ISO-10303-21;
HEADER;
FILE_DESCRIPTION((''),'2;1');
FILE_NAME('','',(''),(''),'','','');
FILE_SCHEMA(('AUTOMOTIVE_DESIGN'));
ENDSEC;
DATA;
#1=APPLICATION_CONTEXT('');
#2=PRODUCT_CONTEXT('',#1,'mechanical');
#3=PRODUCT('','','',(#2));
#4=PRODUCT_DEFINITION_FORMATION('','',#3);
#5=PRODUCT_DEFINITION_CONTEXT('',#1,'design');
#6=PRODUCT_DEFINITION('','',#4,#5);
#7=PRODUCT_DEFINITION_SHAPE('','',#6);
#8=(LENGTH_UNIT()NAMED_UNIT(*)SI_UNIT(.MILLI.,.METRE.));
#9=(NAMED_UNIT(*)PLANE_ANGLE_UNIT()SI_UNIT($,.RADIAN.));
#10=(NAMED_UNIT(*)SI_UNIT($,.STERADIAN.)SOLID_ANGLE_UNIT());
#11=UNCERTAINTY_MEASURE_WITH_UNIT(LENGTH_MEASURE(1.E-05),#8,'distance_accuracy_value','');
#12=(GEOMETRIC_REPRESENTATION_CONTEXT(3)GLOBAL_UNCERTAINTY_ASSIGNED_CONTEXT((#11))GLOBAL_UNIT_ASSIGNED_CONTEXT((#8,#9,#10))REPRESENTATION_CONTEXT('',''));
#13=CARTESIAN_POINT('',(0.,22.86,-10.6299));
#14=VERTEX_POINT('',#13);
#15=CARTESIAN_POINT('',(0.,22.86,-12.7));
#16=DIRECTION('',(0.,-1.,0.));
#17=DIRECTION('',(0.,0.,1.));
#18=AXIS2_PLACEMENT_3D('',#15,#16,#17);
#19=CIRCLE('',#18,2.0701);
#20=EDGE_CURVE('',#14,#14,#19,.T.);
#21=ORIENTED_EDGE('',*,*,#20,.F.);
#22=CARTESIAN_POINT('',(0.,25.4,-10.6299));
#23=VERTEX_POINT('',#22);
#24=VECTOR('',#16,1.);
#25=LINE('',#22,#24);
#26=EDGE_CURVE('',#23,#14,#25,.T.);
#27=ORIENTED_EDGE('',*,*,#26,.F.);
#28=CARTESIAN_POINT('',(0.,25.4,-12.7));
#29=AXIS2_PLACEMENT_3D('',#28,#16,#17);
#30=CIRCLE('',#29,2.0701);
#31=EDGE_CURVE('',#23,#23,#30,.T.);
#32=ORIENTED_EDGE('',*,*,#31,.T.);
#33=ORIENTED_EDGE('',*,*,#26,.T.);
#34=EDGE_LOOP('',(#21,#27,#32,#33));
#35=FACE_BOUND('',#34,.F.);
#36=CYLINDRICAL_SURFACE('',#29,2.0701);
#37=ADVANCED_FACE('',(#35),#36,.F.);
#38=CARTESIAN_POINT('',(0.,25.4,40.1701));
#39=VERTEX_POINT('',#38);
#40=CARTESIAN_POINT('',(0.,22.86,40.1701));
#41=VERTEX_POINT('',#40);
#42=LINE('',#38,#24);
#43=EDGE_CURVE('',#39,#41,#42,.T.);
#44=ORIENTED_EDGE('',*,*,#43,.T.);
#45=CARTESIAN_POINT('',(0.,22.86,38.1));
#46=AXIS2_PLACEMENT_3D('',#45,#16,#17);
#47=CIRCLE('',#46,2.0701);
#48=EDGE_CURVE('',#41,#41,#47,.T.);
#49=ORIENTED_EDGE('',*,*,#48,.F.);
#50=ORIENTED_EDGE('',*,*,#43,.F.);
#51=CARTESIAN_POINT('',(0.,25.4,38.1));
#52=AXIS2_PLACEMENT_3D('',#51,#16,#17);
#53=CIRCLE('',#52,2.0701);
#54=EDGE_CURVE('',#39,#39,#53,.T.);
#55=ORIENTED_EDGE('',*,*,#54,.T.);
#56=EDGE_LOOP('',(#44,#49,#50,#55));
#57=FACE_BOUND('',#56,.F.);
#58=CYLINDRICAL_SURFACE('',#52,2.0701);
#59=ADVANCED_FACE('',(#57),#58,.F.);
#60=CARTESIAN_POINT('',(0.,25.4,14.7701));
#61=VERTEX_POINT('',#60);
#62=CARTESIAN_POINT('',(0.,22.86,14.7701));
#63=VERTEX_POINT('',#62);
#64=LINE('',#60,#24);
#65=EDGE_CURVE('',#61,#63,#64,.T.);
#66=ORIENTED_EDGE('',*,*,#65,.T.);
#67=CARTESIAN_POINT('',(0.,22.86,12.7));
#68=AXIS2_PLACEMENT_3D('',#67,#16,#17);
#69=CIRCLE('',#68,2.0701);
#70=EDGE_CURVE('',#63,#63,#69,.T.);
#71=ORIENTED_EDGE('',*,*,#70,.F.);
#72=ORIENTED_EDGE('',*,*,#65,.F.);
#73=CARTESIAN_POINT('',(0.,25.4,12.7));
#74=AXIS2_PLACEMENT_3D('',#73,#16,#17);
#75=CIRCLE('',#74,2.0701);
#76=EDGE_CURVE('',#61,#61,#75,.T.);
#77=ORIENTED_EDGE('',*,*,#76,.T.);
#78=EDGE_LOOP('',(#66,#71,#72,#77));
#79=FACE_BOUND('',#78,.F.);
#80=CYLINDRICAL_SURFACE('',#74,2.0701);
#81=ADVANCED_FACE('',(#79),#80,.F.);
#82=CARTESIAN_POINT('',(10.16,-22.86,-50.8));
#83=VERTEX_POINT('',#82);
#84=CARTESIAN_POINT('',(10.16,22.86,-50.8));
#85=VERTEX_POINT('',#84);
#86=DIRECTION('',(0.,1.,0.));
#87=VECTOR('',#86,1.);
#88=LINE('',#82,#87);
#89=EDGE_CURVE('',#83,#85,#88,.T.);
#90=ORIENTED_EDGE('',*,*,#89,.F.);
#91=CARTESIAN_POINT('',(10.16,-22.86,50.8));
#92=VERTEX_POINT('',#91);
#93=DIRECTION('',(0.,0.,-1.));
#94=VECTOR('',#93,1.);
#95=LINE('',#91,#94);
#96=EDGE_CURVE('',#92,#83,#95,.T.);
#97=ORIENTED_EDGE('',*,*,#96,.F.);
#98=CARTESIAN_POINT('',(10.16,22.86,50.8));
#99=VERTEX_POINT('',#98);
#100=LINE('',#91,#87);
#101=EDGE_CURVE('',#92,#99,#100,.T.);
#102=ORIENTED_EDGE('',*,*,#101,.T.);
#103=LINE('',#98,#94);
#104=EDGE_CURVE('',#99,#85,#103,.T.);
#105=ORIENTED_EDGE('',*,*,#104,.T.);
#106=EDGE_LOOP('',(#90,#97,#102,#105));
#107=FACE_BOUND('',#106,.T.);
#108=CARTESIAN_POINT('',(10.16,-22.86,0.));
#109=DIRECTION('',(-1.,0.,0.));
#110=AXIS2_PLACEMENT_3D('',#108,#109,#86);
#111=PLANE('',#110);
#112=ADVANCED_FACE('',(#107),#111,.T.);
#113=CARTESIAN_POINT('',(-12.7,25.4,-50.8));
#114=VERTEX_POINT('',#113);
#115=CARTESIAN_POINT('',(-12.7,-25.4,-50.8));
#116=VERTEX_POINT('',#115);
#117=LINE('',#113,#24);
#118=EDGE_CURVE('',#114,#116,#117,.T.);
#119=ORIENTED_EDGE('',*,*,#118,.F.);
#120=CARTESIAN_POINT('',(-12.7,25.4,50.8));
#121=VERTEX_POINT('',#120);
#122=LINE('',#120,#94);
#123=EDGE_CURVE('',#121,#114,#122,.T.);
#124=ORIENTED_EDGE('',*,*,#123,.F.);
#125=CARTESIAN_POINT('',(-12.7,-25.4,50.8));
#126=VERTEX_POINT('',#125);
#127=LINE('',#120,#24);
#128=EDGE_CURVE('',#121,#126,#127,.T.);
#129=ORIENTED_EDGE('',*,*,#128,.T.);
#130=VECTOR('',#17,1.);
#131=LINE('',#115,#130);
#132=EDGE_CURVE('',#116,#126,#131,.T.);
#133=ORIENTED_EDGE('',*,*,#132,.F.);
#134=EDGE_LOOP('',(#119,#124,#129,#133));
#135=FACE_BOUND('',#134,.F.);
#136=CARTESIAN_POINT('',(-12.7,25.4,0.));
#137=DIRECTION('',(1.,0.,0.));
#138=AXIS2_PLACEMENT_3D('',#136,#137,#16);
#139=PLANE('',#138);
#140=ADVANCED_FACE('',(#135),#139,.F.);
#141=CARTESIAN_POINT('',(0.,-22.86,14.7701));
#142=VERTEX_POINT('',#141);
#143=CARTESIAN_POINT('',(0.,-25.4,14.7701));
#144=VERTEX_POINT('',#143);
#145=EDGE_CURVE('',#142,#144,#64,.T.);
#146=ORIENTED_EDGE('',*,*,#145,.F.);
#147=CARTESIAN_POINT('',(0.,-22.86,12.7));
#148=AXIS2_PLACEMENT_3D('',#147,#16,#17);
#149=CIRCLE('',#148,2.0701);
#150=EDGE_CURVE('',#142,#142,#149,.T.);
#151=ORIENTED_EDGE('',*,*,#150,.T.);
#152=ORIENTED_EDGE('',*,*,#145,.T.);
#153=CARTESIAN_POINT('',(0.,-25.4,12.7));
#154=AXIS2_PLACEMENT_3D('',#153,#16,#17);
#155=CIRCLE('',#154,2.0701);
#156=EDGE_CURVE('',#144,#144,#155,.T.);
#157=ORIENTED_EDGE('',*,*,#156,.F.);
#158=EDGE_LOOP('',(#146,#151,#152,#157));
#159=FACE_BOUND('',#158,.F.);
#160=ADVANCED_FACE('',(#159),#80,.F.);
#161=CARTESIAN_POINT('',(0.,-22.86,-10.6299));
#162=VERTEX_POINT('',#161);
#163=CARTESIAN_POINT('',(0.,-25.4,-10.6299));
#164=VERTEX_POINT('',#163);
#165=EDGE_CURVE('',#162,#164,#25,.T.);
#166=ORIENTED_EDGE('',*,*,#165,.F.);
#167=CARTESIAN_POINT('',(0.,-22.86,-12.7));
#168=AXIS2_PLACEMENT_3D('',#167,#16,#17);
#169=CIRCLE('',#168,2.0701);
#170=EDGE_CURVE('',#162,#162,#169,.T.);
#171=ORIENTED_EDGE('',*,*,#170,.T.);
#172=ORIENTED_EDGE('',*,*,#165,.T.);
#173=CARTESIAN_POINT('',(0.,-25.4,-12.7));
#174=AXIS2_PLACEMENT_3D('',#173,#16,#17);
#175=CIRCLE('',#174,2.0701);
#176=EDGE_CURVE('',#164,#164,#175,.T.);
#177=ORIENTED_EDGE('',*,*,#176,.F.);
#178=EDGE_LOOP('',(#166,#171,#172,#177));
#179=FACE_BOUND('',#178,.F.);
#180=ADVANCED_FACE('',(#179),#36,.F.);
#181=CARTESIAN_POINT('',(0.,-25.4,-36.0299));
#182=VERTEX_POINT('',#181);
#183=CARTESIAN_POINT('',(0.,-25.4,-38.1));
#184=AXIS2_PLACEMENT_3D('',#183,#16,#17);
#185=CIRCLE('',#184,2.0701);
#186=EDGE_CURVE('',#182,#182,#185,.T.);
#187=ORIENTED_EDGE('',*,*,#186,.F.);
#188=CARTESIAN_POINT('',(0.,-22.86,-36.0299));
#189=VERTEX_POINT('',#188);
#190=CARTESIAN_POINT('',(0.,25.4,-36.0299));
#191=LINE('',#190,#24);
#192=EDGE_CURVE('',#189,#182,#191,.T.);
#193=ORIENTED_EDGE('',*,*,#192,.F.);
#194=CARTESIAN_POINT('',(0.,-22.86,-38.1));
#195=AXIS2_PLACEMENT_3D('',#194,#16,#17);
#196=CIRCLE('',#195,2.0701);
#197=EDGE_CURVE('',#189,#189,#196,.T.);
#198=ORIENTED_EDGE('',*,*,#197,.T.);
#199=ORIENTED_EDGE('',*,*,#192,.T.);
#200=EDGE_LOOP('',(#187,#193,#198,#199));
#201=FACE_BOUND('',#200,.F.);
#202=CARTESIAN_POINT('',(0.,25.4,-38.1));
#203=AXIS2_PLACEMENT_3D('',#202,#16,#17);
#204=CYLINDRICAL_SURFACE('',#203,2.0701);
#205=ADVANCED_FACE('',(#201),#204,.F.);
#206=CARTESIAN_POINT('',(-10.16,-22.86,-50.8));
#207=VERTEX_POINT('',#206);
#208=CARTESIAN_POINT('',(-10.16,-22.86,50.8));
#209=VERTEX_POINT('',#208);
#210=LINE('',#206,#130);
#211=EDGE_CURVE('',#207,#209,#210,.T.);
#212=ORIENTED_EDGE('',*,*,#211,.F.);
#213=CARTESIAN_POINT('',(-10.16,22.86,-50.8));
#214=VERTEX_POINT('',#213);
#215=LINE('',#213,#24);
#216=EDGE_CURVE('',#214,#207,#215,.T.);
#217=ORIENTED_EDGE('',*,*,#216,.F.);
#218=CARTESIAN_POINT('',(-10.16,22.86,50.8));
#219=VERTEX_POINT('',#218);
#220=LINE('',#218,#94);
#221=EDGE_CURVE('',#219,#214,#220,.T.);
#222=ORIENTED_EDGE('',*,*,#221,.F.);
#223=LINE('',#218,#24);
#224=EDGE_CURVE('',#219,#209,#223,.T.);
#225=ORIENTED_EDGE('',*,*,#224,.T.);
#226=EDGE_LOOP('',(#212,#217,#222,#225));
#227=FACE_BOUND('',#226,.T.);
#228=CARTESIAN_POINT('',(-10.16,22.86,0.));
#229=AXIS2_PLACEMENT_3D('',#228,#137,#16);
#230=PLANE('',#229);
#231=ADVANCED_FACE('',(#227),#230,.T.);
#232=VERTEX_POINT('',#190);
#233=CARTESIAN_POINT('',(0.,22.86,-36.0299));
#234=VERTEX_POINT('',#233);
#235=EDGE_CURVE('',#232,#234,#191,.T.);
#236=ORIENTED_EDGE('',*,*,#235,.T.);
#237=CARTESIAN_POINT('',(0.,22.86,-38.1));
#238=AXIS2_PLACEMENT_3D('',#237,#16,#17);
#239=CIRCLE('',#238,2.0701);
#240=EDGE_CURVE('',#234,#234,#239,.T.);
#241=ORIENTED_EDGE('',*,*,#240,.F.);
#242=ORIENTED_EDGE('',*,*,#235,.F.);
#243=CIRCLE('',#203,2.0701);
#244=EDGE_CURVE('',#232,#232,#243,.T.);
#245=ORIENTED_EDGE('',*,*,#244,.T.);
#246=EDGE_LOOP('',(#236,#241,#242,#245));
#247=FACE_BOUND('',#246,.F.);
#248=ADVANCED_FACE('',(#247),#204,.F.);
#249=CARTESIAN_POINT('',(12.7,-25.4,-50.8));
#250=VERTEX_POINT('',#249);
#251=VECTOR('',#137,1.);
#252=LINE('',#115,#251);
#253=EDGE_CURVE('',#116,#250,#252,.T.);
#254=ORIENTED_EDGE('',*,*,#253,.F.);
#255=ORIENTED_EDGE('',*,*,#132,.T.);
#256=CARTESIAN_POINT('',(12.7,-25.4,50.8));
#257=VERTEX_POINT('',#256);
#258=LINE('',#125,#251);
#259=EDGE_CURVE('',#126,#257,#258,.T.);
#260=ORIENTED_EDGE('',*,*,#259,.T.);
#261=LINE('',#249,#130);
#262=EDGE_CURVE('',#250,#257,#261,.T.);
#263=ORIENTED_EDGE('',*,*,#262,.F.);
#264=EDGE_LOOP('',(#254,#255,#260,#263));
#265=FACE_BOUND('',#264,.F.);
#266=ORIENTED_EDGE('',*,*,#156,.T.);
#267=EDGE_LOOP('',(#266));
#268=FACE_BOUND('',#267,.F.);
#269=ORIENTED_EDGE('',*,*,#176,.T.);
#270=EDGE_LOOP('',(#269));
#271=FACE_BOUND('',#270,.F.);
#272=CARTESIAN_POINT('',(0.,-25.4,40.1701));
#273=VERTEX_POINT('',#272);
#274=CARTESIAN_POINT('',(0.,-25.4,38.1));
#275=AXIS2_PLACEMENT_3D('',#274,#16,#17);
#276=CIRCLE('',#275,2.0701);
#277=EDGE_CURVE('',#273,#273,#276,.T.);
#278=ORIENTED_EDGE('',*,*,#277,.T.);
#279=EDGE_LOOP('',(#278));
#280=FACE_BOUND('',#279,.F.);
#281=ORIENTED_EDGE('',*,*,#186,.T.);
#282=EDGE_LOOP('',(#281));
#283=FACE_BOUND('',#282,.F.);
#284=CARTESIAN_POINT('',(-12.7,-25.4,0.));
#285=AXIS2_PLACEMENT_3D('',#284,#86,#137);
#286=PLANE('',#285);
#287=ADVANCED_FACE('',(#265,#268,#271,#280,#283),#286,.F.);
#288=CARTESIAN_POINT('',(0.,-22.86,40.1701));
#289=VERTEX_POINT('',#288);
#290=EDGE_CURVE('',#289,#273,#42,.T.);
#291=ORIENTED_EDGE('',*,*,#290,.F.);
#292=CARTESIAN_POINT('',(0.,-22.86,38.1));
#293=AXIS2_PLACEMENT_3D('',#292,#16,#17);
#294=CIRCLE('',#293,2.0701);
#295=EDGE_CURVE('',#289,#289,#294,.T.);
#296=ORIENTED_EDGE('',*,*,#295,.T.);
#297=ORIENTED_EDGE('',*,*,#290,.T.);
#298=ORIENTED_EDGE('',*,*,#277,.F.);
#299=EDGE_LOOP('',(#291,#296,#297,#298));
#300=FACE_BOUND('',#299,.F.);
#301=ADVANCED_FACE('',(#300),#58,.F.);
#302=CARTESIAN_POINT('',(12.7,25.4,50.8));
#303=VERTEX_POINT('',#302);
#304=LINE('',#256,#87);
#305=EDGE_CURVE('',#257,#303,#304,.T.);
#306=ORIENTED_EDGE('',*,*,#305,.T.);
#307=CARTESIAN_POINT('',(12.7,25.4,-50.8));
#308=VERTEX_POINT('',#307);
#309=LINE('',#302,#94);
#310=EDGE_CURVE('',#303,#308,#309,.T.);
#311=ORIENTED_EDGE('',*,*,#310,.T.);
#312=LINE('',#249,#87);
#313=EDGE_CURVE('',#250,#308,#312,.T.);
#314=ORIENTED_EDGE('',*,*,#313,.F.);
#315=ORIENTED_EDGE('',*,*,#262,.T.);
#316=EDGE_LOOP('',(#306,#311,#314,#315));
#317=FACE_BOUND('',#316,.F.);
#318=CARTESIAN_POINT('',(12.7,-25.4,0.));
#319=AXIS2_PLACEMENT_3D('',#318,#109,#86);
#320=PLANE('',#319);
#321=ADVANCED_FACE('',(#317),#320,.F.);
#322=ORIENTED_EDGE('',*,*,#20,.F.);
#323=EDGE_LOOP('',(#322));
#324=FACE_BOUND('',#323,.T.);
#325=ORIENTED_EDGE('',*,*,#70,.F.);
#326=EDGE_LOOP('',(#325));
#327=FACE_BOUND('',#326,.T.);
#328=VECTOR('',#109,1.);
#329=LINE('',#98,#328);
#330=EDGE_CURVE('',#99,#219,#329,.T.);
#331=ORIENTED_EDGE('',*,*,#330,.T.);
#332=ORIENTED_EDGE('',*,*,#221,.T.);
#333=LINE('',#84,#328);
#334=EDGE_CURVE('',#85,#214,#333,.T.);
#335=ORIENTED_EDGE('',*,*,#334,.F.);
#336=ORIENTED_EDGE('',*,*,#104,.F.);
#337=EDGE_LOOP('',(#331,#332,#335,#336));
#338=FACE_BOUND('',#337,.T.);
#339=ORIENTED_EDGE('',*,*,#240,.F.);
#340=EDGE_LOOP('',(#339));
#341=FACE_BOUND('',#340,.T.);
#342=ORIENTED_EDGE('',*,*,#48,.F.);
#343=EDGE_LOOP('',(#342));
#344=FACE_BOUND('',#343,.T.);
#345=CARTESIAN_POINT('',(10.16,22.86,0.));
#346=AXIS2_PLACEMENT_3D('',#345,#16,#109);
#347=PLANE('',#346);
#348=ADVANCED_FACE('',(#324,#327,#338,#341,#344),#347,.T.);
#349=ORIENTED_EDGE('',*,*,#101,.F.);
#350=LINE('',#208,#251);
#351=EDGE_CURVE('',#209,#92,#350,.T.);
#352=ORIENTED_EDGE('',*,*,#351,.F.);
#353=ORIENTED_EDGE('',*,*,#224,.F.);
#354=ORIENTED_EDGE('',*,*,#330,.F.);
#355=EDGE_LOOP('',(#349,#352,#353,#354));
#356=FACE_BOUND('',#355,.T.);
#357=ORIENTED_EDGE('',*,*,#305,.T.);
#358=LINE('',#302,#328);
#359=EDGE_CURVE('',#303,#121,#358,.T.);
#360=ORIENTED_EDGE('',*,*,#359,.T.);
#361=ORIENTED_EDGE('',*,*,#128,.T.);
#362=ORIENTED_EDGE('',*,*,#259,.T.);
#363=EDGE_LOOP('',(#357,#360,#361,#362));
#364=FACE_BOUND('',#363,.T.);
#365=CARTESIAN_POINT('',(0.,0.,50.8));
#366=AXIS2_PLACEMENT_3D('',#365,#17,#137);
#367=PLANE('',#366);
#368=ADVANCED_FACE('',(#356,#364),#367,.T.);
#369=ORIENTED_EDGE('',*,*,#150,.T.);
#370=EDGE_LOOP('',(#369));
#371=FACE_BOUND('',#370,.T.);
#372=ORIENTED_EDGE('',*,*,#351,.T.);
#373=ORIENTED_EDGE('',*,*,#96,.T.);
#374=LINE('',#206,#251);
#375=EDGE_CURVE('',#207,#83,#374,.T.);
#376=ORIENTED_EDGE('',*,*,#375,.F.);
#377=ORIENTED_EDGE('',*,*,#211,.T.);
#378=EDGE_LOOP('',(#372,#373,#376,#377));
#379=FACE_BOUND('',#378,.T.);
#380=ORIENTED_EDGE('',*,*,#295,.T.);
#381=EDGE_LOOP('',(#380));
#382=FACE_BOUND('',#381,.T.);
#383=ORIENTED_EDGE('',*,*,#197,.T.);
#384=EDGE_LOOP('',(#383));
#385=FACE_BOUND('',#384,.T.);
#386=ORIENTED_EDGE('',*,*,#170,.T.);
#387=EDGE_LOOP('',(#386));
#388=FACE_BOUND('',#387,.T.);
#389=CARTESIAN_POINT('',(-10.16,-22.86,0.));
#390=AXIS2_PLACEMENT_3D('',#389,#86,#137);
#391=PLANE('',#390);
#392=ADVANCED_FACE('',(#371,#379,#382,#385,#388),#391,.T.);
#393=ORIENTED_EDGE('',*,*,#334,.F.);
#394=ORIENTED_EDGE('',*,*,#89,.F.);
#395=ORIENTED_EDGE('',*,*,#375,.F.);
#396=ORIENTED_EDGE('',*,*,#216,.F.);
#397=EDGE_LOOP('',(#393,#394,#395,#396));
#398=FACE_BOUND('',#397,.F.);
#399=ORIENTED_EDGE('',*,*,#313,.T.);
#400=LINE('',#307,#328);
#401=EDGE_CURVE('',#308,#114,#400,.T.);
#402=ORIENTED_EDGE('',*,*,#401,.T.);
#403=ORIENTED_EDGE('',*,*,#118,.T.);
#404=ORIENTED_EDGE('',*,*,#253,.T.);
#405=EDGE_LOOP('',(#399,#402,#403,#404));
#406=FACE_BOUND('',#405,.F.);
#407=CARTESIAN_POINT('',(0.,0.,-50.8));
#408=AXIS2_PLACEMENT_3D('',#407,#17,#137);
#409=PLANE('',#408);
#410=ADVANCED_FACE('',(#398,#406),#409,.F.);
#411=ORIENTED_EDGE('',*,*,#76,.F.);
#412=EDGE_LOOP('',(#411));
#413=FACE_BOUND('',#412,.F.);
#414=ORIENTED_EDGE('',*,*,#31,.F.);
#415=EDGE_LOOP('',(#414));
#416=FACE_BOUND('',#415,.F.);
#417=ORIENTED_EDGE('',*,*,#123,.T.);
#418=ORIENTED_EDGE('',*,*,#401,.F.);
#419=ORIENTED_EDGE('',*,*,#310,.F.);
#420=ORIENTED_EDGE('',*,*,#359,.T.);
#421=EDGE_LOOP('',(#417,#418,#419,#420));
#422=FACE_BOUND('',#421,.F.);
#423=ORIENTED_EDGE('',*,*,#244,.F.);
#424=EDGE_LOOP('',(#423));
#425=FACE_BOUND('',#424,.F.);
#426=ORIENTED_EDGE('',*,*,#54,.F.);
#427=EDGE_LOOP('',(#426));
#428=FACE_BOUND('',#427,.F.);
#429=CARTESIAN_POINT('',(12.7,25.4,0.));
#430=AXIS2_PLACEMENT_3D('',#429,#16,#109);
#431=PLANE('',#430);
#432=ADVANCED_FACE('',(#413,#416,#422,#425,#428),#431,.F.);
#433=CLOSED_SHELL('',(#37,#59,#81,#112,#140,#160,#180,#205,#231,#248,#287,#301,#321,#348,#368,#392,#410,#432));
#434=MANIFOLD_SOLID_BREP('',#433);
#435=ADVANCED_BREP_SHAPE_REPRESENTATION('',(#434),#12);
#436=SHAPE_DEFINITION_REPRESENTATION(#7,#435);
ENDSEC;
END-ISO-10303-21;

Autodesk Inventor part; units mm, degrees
ref_plane "YZ Plane" through (0, 0, 0) normal (1, 0, 0) x (0, 1, 0)
ref_plane "XZ Plane" through (0, 0, 0) normal (0, 1, 0) x (-1, 0, 0)
ref_plane "XY Plane" through (0, 0, 0) normal (0, 0, 1) x (1, 0, 0)
sketch "Sketch1" plane through (0, 0, 0) normal (0, 0, 1) x (1, 0, 0)
  line L0 (-12.7, -25.4) -> (12.7, -25.4)
  line L1 (12.7, -25.4) -> (12.7, 25.4)
  line L2 (12.7, 25.4) -> (-12.7, 25.4)
  line L3 (-12.7, 25.4) -> (-12.7, -25.4)
  line L4 (-12.7, -25.4) -> (12.7, 25.4) construction
  line L5 (12.7, -25.4) -> (-12.7, 25.4) construction
  line L6 (-10.16, -22.86) -> (10.16, -22.86)
  line L7 (10.16, -22.86) -> (10.16, 22.86)
  line L8 (10.16, 22.86) -> (-10.16, 22.86)
  line L9 (-10.16, 22.86) -> (-10.16, -22.86)
  line L10 (-10.16, -22.86) -> (10.16, 22.86) construction
  line L11 (10.16, -22.86) -> (-10.16, 22.86) construction
  point P0 (0, 0)
  dimension "d0" = 25.4
  dimension "d1" = 50.8
  dimension "d2" = 20.32
  dimension "d3" = 45.72
extrude "Extrusion1" add sketch "Sketch1" along normal mid plane 101.6
sketch "Sketch2" plane through (-12.7, 25.4, 50.8) normal (0, 1, 0) x (1, 0, 0)
  line L0 (25.4, 101.6) -> (25.4, 0) projected
  line L1 (25.4, 0) -> (0, 0) projected
  point P0 (12.7, 50.8)
  point P1 (12.7, 12.7)
  dimension "d6" = 12.7
  dimension "d7" = 12.7
hole "Hole1" at (0, 25.4, 38.1) direction (0, -1, 0) diameter 4.1402 end through all
pattern_linear "Rectangular Pattern1" count 4 spacing 25.4 along (0, 0, -1) of "Hole1"
properties part number "Drivetrain_short_front"
